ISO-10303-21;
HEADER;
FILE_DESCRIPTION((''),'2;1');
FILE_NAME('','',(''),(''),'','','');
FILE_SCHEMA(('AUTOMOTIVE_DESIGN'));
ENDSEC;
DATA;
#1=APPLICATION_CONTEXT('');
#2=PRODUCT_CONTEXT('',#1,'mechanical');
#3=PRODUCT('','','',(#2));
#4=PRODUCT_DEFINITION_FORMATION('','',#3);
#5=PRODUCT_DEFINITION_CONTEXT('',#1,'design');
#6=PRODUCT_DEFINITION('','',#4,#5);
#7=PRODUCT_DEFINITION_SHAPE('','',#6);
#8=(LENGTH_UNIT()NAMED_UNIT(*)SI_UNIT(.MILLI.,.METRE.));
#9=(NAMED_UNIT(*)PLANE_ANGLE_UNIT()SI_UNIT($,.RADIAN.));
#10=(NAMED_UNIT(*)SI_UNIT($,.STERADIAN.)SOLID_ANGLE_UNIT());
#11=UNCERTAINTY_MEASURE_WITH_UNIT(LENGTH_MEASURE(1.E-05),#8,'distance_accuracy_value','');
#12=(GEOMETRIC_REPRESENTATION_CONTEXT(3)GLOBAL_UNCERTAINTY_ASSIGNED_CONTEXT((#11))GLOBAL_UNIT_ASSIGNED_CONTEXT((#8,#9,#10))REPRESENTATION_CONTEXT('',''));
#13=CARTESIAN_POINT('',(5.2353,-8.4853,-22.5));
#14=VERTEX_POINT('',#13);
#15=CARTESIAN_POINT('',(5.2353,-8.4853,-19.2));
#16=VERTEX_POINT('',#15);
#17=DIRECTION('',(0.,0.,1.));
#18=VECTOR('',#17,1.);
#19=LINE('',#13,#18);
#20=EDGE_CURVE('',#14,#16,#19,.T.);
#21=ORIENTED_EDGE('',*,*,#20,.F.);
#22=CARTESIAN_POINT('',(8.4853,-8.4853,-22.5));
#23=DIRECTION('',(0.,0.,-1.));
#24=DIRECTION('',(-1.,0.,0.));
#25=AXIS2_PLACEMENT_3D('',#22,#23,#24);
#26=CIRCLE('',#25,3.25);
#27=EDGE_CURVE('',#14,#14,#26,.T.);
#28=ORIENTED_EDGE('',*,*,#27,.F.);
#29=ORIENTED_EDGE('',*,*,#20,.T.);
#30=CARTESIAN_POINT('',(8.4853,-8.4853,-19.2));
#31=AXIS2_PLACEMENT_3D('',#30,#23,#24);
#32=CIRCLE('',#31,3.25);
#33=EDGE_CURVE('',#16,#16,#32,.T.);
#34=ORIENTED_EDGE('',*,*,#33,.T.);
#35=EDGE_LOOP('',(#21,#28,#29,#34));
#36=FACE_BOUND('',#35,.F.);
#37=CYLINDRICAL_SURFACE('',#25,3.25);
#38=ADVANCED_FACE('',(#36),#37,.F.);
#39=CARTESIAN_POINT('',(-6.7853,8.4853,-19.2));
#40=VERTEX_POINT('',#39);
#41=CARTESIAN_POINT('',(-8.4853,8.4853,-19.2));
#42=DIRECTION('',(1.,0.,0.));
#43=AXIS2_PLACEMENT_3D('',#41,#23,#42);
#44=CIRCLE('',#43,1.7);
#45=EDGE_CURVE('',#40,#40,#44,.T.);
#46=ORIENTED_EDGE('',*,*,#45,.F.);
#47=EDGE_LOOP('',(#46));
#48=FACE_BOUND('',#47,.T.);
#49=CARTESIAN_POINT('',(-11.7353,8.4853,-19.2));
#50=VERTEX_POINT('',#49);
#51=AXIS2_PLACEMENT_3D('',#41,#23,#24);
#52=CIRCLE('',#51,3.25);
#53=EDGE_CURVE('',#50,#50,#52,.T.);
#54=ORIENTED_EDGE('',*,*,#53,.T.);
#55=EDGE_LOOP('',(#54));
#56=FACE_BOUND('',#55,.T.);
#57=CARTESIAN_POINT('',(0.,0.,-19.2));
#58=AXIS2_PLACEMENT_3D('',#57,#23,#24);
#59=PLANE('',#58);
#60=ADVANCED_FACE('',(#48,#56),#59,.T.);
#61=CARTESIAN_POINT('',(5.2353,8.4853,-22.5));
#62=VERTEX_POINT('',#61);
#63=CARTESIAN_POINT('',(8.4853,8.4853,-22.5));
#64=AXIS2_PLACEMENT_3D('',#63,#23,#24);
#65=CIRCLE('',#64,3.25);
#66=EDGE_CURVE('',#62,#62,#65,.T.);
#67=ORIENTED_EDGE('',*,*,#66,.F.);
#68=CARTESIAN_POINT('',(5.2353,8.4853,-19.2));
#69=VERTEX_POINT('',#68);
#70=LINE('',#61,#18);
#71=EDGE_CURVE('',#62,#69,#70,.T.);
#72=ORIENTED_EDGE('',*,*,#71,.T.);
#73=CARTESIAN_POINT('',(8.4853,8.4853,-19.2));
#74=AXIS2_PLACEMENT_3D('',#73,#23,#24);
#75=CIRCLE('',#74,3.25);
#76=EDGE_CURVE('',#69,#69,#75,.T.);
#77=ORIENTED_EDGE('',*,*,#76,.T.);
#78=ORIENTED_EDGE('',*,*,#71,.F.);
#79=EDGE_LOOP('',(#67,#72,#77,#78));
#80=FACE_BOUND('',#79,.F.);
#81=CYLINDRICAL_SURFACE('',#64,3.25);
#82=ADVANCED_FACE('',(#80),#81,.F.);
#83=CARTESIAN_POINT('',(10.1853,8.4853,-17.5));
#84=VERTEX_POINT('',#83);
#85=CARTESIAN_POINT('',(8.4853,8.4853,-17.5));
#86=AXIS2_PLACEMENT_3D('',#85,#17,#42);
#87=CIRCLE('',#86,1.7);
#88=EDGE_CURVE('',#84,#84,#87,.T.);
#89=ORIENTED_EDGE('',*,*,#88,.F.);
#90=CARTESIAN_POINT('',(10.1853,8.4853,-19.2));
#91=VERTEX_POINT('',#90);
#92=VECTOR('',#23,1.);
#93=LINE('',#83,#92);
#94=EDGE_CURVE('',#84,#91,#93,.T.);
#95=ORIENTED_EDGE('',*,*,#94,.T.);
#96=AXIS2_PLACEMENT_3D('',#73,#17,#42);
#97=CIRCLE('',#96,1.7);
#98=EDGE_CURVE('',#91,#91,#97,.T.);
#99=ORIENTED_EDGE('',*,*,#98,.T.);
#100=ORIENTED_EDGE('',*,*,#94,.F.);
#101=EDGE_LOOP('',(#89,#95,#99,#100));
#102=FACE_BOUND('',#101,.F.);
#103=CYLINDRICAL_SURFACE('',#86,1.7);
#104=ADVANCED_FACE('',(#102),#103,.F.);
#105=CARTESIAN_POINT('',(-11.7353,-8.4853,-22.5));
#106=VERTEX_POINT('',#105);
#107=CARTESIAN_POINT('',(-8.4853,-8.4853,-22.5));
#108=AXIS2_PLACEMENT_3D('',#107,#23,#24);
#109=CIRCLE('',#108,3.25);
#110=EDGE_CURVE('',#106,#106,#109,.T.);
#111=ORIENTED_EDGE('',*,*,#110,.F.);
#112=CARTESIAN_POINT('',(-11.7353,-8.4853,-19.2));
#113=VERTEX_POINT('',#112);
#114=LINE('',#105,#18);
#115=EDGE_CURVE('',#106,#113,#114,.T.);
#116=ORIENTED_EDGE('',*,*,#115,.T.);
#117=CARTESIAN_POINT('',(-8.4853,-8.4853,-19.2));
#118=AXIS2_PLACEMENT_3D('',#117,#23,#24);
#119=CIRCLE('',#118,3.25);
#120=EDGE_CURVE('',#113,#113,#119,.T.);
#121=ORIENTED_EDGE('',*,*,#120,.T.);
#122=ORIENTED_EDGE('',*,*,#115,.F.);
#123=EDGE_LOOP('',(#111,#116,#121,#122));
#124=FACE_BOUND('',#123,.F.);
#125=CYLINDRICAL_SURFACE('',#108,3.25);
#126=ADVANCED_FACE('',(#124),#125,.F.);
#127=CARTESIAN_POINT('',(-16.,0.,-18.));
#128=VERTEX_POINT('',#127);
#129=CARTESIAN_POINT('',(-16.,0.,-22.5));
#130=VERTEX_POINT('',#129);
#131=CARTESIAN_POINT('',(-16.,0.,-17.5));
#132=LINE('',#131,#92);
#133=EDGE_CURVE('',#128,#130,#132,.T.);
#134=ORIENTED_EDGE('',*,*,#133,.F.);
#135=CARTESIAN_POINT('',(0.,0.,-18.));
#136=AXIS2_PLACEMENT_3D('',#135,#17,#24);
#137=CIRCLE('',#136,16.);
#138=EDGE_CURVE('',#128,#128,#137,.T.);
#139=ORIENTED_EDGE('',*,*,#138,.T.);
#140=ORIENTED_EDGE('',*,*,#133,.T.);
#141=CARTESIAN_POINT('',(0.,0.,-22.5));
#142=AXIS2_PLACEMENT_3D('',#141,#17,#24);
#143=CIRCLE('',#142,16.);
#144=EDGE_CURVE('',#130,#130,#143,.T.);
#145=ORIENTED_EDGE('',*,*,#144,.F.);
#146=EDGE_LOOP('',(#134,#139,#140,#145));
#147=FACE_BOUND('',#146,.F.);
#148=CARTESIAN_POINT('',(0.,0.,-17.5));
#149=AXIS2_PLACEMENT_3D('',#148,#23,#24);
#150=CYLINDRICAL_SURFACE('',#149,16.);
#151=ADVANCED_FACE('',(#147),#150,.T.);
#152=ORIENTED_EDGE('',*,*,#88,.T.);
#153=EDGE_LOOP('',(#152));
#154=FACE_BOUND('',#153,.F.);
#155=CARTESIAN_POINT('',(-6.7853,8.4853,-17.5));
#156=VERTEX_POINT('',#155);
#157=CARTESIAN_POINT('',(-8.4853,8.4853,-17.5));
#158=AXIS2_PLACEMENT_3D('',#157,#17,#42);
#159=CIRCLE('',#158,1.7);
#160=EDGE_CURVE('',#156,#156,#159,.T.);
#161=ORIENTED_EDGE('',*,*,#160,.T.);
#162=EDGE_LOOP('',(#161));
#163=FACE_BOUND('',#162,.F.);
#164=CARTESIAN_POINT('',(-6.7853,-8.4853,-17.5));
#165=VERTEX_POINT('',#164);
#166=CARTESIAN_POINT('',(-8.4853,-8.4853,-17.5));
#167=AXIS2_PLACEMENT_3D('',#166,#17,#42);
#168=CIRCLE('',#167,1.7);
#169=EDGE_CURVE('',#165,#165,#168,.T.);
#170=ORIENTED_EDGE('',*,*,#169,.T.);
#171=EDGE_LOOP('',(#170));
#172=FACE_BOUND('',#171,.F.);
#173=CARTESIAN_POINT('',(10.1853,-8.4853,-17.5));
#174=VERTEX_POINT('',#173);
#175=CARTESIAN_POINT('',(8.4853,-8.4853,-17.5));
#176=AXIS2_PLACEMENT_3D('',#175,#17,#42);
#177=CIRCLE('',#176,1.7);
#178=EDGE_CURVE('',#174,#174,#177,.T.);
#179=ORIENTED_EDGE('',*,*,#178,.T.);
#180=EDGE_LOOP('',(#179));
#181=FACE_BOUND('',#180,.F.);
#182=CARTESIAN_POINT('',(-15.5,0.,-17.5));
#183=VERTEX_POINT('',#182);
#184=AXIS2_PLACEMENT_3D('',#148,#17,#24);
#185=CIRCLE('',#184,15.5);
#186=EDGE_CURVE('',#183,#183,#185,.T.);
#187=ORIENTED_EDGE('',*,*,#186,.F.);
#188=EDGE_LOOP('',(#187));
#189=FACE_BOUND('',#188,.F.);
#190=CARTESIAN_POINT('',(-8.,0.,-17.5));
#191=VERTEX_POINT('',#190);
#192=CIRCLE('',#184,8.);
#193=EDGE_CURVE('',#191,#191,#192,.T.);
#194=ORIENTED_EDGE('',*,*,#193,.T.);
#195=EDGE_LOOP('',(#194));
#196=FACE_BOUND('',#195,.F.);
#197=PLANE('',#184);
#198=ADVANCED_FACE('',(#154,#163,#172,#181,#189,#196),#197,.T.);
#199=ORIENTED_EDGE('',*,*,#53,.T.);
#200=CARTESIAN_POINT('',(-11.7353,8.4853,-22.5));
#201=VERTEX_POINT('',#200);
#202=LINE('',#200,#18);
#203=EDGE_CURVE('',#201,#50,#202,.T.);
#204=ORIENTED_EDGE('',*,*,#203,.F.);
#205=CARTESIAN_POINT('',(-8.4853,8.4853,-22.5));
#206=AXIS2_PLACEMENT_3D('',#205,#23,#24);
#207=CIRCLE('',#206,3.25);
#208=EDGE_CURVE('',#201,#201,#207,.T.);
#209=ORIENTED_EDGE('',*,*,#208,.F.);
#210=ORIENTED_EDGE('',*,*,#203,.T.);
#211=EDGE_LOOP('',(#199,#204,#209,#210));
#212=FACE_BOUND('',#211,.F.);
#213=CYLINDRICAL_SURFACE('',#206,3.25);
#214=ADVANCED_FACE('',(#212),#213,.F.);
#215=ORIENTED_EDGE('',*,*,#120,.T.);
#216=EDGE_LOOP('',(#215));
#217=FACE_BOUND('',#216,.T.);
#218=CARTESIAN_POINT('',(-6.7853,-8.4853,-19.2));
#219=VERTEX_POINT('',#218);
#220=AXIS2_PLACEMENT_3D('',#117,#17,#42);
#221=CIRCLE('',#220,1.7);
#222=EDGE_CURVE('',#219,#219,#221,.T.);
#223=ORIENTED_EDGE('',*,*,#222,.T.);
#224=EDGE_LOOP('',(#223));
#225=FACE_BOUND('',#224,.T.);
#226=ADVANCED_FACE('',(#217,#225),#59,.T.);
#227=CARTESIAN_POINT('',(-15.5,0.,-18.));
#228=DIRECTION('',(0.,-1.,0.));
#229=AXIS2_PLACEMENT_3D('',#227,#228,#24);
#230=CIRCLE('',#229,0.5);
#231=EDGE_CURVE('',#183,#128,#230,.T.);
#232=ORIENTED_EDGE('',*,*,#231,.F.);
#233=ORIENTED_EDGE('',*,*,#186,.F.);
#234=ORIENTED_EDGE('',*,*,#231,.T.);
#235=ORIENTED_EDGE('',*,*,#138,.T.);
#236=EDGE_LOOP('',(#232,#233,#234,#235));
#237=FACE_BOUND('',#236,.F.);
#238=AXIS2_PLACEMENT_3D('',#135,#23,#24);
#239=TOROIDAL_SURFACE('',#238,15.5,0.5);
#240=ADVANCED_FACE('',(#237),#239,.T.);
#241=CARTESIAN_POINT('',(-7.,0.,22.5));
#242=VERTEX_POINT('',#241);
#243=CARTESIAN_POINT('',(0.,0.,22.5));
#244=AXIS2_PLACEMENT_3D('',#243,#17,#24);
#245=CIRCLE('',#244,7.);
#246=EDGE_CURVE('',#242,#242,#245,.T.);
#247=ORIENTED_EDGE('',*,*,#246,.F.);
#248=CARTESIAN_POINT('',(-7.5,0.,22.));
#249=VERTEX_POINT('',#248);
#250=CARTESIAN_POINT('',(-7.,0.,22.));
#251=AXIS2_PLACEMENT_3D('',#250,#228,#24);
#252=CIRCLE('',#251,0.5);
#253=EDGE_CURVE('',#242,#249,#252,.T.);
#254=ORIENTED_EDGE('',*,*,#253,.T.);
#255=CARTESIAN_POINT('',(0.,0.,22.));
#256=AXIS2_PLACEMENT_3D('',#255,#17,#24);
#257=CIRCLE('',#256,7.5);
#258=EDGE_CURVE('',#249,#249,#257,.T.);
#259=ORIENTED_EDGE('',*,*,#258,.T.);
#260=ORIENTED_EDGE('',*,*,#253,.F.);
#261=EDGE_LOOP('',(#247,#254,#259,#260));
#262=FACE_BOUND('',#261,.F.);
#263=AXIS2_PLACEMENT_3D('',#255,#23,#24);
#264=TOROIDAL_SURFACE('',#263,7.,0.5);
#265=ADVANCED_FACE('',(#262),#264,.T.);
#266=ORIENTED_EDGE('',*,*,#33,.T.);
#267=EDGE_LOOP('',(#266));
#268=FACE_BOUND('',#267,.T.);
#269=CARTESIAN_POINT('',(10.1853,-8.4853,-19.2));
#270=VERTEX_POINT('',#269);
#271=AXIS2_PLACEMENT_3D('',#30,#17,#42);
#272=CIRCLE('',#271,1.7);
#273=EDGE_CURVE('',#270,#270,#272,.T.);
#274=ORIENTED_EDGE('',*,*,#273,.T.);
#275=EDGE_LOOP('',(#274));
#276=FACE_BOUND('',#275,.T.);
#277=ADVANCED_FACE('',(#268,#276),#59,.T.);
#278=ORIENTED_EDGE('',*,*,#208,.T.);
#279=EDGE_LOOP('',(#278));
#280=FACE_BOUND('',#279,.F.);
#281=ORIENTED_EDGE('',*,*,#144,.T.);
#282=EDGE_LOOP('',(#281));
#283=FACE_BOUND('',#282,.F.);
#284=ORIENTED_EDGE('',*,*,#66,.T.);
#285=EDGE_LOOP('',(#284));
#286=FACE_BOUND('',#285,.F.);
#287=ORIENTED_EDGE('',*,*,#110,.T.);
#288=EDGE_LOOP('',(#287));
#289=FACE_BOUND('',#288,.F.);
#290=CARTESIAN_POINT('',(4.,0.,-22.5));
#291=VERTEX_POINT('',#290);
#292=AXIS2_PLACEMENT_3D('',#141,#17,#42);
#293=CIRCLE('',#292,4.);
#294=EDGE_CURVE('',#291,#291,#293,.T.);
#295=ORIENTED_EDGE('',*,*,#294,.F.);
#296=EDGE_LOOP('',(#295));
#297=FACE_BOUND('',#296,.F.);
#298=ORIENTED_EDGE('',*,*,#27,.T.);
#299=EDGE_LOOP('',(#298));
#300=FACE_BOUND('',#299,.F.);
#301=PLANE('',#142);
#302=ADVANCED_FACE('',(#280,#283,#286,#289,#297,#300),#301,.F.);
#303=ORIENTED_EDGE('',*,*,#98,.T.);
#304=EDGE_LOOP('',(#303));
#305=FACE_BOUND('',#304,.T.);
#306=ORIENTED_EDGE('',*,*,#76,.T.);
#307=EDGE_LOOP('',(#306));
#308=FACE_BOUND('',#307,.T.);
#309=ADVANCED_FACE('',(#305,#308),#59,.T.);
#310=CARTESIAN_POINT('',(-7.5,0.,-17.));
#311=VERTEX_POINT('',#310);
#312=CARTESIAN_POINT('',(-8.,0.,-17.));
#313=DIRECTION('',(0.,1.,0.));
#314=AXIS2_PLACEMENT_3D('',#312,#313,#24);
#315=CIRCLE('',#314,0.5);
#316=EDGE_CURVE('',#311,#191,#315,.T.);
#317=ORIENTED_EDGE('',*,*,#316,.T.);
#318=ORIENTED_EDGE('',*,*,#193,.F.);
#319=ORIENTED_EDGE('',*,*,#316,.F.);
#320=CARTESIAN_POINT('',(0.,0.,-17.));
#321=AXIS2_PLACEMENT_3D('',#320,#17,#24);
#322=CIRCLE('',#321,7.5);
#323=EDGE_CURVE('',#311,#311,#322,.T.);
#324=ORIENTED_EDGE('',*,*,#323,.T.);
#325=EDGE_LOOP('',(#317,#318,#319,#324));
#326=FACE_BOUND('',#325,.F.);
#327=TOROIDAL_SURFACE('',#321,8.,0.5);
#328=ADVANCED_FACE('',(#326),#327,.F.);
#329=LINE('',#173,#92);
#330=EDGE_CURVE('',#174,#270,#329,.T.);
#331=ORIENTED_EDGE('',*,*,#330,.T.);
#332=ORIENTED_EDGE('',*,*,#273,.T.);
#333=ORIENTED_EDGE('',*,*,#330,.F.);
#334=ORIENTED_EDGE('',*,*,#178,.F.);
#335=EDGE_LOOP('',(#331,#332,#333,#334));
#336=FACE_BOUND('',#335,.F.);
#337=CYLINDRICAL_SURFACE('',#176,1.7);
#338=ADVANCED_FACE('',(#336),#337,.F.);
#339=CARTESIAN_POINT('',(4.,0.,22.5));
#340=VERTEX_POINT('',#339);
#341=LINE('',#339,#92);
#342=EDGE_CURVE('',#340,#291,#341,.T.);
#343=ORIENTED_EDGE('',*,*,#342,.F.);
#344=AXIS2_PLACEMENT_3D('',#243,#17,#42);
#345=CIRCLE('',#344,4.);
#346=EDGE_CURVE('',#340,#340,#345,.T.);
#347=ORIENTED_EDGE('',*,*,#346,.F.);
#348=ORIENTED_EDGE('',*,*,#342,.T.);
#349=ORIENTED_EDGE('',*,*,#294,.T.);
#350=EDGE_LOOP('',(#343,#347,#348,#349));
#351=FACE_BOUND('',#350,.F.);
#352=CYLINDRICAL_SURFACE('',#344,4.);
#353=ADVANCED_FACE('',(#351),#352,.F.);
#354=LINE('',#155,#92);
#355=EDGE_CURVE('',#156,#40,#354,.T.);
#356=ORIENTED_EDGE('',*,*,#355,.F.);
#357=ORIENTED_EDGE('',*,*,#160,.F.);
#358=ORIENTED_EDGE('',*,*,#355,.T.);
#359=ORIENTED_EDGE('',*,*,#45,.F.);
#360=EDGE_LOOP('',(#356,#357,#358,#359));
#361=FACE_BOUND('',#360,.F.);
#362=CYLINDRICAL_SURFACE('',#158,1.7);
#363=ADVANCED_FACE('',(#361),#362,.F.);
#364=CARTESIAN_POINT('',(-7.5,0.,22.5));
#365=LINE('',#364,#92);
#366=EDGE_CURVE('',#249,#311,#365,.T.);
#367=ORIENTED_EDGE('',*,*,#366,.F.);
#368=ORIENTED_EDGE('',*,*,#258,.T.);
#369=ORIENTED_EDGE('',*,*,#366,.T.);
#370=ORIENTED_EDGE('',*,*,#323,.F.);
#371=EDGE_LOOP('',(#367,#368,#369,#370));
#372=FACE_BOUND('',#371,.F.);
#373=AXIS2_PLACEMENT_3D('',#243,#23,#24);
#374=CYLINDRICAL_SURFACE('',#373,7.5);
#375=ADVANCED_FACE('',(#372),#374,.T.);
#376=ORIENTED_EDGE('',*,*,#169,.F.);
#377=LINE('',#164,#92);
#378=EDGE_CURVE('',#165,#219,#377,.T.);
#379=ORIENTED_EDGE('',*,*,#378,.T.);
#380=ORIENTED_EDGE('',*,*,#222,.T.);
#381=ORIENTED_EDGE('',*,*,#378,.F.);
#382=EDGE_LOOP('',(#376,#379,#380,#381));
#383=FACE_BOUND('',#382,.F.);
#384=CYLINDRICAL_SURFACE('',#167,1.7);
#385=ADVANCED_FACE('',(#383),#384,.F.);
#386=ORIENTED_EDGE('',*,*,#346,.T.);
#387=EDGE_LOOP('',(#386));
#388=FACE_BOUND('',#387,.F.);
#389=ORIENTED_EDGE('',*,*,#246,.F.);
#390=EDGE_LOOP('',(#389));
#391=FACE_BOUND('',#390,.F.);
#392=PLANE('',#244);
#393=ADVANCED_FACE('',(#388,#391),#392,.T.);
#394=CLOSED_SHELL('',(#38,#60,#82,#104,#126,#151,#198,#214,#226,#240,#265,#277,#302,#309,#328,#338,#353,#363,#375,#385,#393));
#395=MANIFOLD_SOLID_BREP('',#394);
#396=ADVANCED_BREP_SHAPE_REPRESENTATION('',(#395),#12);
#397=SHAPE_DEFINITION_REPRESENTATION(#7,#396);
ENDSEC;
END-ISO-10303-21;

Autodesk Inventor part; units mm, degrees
ref_plane "YZ Plane" through (0, 0, 0) normal (1, 0, 0) x (0, 1, 0)
ref_plane "XZ Plane" through (0, 0, 0) normal (0, 1, 0) x (-1, 0, 0)
ref_plane "XY Plane" through (0, 0, 0) normal (0, 0, 1) x (1, 0, 0)
sketch "Sketch1" plane through (0, 0, 0) normal (0, 1, 0) x (-1, 0, 0)
  line L0 (0, 22.5) -> (7.5, 22.5)
  line L1 (7.5, 22.5) -> (7.5, -17.5)
  line L2 (7.5, -17.5) -> (16, -17.5)
  line L3 (16, -17.5) -> (16, -22.5)
  line L4 (16, -22.5) -> (0, -22.5)
  line L5 (0, -22.5) -> (0, 22.5)
  point P0 (0, 0)
  point P1 (0, 0)
  dimension "d0" = 7.5
  dimension "d1" = 5
  dimension "d3" = 16
  dimension "d4" = 45
revolve "Revolution1" add sketch "Sketch1" angle 360 about axis through (0, 0, -22.5) along (0, 0, 1)
sketch "Sketch2" plane through (0, 0, 22.5) normal (0, 0, 1) x (1, 0, 0)
  circle A0 centre (0, 0) radius 4
  dimension "d5" = 8
extrude "Extrusion1" cut sketch "Sketch2" against normal up to next
sketch "Sketch3" plane through (0, 0, -17.5) normal (0, 0, 1) x (1, 0, 0)
  circle A0 centre (-8.4853, 8.4853) radius 1.7
  line L0 (0, 0) -> (-8.4853, 8.4853) construction
  line L1 (0, 0) -> (-3.1591, 0)
  circle A1 centre (-8.4853, -8.4853) radius 1.7
  circle A2 centre (8.4853, -8.4853) radius 1.7
  circle A3 centre (8.4853, 8.4853) radius 1.7
  dimension "d8" = 3.4
  dimension "d9" = 12
  dimension "d10" = 45
  dimension "d13" = 360
extrude "Extrusion2" cut sketch "Sketch3" against normal up to next
sketch "Sketch4" plane through (0, 0, -22.5) normal (0, 0, -1) x (-1, 0, 0)
  circle A0 centre (8.4853, 8.4853) radius 1.7 projected
  circle A1 centre (8.4853, 8.4853) radius 3.25
  circle A2 centre (-8.4853, 8.4853) radius 3.25
  circle A3 centre (-8.4853, -8.4853) radius 3.25
  circle A4 centre (8.4853, -8.4853) radius 3.25
  point P0 (0, 0)
  dimension "d17" = 6.5
  dimension "d20" = 360
extrude "Extrusion3" cut sketch "Sketch4" against normal blind 3.3
fillet "Fillet1" radius 0.5 3 edges at (7.5, 0, -17.5) (16, 0, -17.5) (7.5, 0, 22.5)
properties part number "LMF8LUU"
